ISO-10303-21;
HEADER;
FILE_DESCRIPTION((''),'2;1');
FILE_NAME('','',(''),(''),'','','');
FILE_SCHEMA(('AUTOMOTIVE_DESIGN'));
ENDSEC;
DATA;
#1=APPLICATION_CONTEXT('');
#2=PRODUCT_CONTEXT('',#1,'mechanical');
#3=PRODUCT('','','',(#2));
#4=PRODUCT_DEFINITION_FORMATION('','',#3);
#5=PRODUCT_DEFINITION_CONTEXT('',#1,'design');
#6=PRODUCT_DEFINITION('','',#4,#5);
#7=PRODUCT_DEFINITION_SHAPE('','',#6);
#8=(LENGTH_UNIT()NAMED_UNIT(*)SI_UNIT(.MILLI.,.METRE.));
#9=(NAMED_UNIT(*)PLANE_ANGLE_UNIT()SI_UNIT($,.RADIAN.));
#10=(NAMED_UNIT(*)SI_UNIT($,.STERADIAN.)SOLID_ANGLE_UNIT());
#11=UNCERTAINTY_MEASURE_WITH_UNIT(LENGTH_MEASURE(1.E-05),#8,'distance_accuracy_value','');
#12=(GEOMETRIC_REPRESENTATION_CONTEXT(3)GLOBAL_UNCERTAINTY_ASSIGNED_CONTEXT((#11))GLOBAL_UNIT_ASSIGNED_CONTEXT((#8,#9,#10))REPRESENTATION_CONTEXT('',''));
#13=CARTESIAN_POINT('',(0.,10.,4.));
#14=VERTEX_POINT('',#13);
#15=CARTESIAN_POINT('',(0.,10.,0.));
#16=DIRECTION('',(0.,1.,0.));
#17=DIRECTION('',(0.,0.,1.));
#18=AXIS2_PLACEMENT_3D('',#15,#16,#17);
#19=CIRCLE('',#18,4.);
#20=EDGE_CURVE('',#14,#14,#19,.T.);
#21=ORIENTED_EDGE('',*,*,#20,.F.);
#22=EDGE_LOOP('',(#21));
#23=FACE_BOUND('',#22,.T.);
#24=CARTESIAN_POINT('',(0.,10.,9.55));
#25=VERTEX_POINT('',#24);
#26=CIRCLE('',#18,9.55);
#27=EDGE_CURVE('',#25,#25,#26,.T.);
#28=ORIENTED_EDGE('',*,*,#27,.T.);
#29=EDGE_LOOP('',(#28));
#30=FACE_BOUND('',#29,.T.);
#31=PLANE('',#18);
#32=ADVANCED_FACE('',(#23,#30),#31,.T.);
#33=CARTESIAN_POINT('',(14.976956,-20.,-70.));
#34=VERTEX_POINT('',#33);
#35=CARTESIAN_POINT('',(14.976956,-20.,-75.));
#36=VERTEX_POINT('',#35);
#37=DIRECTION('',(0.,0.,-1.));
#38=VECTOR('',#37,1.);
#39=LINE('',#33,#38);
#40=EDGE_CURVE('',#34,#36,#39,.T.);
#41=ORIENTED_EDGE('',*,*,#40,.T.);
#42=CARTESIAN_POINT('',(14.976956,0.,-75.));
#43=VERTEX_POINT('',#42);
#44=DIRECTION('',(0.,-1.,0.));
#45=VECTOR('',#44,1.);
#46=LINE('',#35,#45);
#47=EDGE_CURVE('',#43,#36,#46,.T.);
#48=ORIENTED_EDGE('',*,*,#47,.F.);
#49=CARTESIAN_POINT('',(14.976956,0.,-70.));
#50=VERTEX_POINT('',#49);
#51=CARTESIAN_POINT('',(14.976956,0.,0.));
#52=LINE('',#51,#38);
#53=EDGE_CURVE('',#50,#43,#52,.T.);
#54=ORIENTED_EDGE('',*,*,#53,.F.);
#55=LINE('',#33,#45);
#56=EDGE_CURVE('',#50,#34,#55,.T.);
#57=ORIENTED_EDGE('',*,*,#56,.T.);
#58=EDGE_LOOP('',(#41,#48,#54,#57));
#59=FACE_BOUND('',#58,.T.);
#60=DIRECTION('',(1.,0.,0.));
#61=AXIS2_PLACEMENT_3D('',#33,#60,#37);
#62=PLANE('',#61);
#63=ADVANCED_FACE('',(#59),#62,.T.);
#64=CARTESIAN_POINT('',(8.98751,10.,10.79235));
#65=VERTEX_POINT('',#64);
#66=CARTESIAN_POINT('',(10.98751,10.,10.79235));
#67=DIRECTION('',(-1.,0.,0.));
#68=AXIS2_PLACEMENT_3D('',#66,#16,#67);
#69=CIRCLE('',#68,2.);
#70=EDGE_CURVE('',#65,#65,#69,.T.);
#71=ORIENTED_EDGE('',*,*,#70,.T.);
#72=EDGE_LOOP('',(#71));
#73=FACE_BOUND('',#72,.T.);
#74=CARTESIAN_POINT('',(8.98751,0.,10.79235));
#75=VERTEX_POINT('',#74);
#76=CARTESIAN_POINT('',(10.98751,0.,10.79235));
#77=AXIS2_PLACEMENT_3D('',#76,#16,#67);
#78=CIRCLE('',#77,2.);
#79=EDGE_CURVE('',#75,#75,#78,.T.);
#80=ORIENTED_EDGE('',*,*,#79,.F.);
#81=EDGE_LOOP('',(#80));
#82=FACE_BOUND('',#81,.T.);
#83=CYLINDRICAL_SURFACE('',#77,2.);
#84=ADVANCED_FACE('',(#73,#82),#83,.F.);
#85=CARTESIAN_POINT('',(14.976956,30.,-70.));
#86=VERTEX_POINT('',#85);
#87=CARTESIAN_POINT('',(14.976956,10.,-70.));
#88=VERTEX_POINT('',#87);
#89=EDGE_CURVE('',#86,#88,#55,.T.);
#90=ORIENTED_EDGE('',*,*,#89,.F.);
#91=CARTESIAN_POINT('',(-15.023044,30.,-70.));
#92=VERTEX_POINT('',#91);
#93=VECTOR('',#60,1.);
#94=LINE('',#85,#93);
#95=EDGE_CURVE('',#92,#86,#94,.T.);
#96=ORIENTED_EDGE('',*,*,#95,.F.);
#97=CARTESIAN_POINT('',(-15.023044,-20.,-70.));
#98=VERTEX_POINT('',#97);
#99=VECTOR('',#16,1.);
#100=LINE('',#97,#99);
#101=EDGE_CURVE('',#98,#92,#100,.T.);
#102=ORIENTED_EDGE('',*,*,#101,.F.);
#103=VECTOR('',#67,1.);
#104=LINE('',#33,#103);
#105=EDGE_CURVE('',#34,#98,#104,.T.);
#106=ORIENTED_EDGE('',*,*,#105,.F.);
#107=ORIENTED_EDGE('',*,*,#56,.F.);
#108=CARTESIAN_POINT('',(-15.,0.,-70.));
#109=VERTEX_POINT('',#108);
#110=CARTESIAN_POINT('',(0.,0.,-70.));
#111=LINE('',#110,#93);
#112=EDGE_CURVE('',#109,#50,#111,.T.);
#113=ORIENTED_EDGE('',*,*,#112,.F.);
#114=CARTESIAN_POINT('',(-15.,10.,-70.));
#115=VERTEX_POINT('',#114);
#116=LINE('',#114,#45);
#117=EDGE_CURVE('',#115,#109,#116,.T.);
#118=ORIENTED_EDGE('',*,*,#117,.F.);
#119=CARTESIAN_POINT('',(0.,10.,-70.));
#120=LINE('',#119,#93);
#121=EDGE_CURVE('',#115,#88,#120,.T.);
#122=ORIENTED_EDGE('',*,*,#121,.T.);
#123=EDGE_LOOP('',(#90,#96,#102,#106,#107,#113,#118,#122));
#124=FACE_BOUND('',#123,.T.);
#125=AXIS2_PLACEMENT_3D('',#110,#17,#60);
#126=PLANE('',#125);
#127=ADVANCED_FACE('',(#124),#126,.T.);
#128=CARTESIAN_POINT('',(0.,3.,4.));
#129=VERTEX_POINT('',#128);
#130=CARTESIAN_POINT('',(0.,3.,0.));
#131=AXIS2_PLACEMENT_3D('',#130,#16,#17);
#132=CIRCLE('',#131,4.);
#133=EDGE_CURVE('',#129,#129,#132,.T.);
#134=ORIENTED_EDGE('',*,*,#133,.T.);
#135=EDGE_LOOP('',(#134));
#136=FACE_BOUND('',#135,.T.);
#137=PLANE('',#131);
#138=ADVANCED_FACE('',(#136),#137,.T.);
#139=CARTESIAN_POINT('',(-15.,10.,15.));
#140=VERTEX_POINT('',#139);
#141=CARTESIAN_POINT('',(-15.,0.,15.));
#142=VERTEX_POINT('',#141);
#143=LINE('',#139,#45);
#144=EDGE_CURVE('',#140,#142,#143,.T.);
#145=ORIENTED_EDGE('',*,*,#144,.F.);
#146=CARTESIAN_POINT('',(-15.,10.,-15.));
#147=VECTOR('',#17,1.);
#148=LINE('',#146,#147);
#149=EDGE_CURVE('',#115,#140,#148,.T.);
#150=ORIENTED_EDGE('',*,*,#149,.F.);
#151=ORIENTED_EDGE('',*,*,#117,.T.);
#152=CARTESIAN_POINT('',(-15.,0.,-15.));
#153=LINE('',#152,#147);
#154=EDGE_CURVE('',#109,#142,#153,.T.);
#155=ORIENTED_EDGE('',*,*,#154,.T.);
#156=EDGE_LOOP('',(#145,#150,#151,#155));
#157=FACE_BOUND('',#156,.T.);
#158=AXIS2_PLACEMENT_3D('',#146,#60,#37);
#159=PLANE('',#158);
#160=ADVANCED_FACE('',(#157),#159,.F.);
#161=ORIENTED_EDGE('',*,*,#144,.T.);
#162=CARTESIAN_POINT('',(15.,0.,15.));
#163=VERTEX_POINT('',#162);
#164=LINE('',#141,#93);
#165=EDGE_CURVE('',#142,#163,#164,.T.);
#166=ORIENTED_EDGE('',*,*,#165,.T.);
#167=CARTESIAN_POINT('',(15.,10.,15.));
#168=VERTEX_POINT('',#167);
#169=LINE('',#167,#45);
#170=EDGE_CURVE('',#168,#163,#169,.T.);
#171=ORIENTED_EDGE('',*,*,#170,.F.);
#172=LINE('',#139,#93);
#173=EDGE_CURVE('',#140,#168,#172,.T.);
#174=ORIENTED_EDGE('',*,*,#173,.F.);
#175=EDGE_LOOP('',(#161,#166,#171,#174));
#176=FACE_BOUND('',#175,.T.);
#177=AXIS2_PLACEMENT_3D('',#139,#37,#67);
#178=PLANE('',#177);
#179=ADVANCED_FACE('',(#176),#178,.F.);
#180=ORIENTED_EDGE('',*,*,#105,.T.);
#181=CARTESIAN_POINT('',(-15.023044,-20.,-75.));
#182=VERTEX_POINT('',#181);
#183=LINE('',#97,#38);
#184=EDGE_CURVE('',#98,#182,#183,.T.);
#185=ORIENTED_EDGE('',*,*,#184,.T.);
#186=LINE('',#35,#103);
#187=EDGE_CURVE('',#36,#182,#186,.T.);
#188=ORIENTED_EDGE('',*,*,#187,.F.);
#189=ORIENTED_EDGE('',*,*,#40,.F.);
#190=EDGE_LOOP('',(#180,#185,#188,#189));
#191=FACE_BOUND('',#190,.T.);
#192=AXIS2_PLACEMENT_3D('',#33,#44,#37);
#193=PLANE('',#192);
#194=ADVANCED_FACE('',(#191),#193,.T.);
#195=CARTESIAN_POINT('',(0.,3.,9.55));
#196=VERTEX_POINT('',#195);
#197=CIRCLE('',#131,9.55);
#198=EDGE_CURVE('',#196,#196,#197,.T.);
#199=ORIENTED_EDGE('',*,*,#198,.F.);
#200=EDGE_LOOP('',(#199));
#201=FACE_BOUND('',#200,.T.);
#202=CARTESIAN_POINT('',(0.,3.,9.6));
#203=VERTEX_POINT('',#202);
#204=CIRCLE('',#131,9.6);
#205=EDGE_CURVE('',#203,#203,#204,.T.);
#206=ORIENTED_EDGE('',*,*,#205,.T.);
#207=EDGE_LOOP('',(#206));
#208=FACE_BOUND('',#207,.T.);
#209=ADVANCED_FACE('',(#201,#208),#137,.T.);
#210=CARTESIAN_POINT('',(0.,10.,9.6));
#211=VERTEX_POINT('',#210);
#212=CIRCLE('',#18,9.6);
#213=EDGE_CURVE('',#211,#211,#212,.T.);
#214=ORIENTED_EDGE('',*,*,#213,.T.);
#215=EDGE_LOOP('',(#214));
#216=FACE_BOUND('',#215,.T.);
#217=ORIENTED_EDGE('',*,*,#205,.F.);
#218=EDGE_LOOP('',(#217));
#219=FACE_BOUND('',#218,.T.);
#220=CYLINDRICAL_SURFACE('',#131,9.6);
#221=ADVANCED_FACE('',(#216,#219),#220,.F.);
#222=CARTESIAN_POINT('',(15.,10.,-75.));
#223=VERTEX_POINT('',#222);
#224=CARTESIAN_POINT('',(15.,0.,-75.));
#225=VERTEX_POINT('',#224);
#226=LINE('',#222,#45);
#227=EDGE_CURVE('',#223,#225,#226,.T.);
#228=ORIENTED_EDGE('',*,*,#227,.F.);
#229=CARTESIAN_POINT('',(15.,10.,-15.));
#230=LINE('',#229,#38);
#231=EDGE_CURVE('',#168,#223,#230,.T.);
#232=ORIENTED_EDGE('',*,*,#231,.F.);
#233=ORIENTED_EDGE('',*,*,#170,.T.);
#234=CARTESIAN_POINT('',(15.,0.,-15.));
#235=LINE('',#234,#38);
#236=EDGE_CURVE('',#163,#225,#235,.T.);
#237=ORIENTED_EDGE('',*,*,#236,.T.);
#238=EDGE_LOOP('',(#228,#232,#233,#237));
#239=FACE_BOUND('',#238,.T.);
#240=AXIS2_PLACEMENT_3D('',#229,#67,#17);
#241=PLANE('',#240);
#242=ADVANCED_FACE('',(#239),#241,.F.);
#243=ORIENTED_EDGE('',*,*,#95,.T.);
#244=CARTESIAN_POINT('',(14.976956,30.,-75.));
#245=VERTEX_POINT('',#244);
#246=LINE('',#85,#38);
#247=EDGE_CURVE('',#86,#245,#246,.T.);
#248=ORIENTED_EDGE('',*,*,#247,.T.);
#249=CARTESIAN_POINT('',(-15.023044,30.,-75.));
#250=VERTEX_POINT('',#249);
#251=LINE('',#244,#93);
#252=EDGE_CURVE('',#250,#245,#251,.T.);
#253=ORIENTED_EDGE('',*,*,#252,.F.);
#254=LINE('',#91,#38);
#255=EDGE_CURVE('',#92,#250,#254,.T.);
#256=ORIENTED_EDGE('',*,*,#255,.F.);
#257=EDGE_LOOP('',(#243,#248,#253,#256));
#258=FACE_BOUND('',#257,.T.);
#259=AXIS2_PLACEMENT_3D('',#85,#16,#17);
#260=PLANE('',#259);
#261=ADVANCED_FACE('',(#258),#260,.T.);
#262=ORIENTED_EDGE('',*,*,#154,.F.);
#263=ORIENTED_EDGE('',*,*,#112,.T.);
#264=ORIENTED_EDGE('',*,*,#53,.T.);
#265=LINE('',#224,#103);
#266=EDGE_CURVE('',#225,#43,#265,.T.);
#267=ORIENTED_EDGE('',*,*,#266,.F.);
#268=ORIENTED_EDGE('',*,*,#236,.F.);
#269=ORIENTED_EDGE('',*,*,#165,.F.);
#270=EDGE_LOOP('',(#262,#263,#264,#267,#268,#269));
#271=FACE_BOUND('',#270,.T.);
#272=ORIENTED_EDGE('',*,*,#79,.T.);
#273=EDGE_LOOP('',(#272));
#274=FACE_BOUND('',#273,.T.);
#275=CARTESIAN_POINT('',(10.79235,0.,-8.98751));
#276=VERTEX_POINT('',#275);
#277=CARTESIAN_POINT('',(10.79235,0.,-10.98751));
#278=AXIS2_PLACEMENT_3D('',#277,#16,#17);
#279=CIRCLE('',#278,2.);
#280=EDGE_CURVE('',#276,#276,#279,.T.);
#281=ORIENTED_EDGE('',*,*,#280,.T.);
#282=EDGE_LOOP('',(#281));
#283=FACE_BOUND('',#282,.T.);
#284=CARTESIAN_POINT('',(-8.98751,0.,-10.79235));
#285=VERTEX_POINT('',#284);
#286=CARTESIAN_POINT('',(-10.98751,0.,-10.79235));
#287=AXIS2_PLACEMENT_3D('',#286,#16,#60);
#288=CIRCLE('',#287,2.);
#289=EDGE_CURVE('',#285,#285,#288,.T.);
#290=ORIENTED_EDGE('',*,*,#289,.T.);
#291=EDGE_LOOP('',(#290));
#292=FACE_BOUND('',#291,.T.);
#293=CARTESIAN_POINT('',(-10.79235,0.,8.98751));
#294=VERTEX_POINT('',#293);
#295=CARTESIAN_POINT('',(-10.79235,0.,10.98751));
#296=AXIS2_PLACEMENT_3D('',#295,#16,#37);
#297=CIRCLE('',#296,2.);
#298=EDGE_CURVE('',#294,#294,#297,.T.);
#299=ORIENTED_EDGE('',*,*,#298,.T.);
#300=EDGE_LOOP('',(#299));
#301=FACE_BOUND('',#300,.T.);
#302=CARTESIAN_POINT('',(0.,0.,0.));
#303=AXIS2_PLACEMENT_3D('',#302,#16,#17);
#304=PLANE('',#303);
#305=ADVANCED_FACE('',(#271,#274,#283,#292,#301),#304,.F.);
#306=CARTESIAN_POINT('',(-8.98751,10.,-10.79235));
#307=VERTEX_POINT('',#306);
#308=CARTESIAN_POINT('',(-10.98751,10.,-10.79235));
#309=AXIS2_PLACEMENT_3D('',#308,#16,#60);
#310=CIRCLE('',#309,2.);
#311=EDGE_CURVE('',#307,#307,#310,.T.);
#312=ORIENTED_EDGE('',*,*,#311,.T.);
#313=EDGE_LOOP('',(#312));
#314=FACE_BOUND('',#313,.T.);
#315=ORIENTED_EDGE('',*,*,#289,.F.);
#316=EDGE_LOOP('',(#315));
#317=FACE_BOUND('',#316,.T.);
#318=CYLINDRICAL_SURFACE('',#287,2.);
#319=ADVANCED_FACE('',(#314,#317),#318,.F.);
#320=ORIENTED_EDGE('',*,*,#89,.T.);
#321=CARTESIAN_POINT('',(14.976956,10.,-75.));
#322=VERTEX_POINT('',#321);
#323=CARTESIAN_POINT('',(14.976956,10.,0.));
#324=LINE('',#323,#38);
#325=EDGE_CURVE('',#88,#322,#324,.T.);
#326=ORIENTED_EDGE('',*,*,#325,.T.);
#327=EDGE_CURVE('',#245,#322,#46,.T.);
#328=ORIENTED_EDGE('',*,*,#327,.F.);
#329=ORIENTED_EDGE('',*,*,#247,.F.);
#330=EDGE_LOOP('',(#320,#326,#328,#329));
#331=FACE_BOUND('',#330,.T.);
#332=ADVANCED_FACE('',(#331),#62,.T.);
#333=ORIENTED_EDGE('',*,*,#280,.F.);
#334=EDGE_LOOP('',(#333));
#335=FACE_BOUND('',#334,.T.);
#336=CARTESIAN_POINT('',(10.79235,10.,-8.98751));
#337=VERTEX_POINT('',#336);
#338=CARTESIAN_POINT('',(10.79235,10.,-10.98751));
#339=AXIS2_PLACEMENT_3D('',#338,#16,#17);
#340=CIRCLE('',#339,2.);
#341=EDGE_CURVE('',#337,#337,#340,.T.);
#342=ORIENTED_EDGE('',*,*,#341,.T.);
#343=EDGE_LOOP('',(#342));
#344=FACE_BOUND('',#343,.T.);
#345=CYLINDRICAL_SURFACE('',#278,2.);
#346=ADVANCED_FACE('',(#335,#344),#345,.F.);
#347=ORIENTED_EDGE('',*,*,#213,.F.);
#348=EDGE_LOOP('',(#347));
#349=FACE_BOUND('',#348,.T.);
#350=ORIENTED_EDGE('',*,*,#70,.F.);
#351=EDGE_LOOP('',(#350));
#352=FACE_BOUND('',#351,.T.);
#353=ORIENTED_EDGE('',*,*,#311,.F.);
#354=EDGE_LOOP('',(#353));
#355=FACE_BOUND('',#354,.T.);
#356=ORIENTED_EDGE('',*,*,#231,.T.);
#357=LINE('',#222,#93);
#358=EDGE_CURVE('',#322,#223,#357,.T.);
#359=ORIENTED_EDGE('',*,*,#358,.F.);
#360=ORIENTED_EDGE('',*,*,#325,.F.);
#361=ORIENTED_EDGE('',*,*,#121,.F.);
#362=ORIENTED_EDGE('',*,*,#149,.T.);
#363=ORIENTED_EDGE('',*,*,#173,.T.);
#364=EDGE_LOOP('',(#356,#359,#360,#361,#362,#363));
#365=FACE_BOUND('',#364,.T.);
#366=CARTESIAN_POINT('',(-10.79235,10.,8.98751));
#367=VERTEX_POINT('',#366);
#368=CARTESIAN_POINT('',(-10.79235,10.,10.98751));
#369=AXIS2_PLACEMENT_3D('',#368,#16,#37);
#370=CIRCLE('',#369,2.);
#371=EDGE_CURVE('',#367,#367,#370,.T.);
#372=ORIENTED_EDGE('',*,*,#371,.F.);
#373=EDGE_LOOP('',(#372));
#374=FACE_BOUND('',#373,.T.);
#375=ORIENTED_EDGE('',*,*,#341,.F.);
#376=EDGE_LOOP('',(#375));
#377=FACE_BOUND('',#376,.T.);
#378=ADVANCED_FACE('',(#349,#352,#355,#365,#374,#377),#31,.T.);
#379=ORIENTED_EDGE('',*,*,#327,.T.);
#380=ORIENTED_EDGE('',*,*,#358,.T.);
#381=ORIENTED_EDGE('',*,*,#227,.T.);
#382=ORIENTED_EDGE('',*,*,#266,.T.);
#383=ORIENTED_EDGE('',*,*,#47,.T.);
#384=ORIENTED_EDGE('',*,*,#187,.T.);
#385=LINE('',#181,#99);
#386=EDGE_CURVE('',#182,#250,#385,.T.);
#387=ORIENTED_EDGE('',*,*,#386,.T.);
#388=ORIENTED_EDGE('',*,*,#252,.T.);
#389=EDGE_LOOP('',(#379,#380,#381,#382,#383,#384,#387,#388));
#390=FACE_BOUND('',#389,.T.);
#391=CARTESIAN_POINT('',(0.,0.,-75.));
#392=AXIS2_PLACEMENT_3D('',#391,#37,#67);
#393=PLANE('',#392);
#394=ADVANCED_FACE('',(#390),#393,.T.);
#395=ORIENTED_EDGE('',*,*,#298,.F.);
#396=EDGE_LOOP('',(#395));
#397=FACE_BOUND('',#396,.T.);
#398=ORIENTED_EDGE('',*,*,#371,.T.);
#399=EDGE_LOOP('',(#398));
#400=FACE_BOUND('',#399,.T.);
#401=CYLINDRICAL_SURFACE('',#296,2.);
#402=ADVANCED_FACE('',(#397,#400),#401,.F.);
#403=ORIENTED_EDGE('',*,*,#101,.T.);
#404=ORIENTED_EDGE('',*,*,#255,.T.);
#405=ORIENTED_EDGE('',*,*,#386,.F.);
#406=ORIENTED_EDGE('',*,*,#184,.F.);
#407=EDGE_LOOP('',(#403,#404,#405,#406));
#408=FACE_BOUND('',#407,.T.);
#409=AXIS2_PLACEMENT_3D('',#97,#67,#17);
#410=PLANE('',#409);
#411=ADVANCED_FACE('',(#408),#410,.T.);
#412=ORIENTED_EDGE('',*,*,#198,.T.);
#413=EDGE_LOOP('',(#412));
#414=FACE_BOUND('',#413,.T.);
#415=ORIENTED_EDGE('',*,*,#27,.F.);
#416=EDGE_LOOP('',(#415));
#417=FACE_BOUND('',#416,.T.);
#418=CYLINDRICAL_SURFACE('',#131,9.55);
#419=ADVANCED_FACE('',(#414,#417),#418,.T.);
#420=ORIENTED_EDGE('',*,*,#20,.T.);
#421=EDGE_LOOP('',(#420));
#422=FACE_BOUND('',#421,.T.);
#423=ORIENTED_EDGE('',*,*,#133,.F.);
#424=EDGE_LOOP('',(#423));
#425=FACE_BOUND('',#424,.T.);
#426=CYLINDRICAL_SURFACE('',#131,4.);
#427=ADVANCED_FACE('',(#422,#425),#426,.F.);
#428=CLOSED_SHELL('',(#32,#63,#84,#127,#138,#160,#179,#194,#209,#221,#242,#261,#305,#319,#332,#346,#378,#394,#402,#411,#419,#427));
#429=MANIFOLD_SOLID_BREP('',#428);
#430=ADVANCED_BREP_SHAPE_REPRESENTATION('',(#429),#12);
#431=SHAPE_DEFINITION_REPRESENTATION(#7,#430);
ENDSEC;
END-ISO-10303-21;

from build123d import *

# Parameters (mm, degrees)
SKETCH1_W           = 30
SKETCH1_H           = 30
BOSS_EXTRUDE1_DEPTH = 10
SKETCH2_R           = 9.6
SKETCH2_R_2         = 9.55
CUT_EXTRUDE1_DEPTH  = 7
SKETCH3_R           = 4
CUT_EXTRUDE2_DEPTH  = 7
SKETCH4_R           = 2
CUT_EXTRUDE3_DEPTH  = 10
CIRPATTERN1_COUNT   = 4
SKETCH5_W           = 30
SKETCH5_H           = 10
BOSS_EXTRUDE2_DEPTH = 60
SKETCH6_W           = 30
SKETCH6_H           = 50
BOSS_EXTRUDE3_DEPTH = 5


with BuildPart() as part:
    # Sketch1 → Boss-Extrude1 (new body)
    with BuildSketch(Plane(origin=(0, 0, 0), x_dir=(1, 0, 0), z_dir=(0, 1, 0))):
        Rectangle(SKETCH1_W, SKETCH1_H)
    extrude(amount=BOSS_EXTRUDE1_DEPTH)

    # Sketch2 → Cut-Extrude1 (cut)
    with BuildSketch(Plane(origin=(0, 10, 0), x_dir=(1, 0, 0), z_dir=(0, 1, 0))):
        Circle(SKETCH2_R)
        Circle(SKETCH2_R_2, mode=Mode.SUBTRACT)
    extrude(amount=-CUT_EXTRUDE1_DEPTH, mode=Mode.SUBTRACT)

    # Sketch3 → Cut-Extrude2 (cut)
    with BuildSketch(Plane(origin=(0, 10, 0), x_dir=(1, 0, 0), z_dir=(0, 1, 0))):
        Circle(SKETCH3_R)
    extrude(amount=-CUT_EXTRUDE2_DEPTH, mode=Mode.SUBTRACT)

    # Sketch4 → Cut-Extrude3 (cut)
    with BuildSketch(Plane(origin=(0, 10, 0), x_dir=(1, 0, 0), z_dir=(0, 1, 0))):
        with Locations((10.792349727, 10.987509758)):
            Circle(SKETCH4_R)
    cut_extrude3 = extrude(amount=-CUT_EXTRUDE3_DEPTH, mode=Mode.SUBTRACT)

    # CirPattern1: Cut-Extrude3 ×4 about axis
    cirpattern1_axis = Axis((0, 0, 0), (0, 1, 0))
    for i in range(1, CIRPATTERN1_COUNT):
        add(cut_extrude3.rotate(cirpattern1_axis, i * 360 / CIRPATTERN1_COUNT), mode=Mode.SUBTRACT)

    # Sketch5 → Boss-Extrude2 (add)
    with BuildSketch(Plane(origin=(0, 0, -15), x_dir=(-1, 0, 0), z_dir=(0, 0, -1))):
        with Locations((0, 5)):
            Rectangle(SKETCH5_W, SKETCH5_H)
    extrude(amount=BOSS_EXTRUDE2_DEPTH)

    # Sketch6 → Boss-Extrude3 (add)
    with BuildSketch(Plane(origin=(0, 0, -75), x_dir=(-1, 0, 0), z_dir=(0, 0, -1))):
        with Locations((0.023044467, 5)):
            Rectangle(SKETCH6_W, SKETCH6_H)
    extrude(amount=-BOSS_EXTRUDE3_DEPTH)


solid = part.part
